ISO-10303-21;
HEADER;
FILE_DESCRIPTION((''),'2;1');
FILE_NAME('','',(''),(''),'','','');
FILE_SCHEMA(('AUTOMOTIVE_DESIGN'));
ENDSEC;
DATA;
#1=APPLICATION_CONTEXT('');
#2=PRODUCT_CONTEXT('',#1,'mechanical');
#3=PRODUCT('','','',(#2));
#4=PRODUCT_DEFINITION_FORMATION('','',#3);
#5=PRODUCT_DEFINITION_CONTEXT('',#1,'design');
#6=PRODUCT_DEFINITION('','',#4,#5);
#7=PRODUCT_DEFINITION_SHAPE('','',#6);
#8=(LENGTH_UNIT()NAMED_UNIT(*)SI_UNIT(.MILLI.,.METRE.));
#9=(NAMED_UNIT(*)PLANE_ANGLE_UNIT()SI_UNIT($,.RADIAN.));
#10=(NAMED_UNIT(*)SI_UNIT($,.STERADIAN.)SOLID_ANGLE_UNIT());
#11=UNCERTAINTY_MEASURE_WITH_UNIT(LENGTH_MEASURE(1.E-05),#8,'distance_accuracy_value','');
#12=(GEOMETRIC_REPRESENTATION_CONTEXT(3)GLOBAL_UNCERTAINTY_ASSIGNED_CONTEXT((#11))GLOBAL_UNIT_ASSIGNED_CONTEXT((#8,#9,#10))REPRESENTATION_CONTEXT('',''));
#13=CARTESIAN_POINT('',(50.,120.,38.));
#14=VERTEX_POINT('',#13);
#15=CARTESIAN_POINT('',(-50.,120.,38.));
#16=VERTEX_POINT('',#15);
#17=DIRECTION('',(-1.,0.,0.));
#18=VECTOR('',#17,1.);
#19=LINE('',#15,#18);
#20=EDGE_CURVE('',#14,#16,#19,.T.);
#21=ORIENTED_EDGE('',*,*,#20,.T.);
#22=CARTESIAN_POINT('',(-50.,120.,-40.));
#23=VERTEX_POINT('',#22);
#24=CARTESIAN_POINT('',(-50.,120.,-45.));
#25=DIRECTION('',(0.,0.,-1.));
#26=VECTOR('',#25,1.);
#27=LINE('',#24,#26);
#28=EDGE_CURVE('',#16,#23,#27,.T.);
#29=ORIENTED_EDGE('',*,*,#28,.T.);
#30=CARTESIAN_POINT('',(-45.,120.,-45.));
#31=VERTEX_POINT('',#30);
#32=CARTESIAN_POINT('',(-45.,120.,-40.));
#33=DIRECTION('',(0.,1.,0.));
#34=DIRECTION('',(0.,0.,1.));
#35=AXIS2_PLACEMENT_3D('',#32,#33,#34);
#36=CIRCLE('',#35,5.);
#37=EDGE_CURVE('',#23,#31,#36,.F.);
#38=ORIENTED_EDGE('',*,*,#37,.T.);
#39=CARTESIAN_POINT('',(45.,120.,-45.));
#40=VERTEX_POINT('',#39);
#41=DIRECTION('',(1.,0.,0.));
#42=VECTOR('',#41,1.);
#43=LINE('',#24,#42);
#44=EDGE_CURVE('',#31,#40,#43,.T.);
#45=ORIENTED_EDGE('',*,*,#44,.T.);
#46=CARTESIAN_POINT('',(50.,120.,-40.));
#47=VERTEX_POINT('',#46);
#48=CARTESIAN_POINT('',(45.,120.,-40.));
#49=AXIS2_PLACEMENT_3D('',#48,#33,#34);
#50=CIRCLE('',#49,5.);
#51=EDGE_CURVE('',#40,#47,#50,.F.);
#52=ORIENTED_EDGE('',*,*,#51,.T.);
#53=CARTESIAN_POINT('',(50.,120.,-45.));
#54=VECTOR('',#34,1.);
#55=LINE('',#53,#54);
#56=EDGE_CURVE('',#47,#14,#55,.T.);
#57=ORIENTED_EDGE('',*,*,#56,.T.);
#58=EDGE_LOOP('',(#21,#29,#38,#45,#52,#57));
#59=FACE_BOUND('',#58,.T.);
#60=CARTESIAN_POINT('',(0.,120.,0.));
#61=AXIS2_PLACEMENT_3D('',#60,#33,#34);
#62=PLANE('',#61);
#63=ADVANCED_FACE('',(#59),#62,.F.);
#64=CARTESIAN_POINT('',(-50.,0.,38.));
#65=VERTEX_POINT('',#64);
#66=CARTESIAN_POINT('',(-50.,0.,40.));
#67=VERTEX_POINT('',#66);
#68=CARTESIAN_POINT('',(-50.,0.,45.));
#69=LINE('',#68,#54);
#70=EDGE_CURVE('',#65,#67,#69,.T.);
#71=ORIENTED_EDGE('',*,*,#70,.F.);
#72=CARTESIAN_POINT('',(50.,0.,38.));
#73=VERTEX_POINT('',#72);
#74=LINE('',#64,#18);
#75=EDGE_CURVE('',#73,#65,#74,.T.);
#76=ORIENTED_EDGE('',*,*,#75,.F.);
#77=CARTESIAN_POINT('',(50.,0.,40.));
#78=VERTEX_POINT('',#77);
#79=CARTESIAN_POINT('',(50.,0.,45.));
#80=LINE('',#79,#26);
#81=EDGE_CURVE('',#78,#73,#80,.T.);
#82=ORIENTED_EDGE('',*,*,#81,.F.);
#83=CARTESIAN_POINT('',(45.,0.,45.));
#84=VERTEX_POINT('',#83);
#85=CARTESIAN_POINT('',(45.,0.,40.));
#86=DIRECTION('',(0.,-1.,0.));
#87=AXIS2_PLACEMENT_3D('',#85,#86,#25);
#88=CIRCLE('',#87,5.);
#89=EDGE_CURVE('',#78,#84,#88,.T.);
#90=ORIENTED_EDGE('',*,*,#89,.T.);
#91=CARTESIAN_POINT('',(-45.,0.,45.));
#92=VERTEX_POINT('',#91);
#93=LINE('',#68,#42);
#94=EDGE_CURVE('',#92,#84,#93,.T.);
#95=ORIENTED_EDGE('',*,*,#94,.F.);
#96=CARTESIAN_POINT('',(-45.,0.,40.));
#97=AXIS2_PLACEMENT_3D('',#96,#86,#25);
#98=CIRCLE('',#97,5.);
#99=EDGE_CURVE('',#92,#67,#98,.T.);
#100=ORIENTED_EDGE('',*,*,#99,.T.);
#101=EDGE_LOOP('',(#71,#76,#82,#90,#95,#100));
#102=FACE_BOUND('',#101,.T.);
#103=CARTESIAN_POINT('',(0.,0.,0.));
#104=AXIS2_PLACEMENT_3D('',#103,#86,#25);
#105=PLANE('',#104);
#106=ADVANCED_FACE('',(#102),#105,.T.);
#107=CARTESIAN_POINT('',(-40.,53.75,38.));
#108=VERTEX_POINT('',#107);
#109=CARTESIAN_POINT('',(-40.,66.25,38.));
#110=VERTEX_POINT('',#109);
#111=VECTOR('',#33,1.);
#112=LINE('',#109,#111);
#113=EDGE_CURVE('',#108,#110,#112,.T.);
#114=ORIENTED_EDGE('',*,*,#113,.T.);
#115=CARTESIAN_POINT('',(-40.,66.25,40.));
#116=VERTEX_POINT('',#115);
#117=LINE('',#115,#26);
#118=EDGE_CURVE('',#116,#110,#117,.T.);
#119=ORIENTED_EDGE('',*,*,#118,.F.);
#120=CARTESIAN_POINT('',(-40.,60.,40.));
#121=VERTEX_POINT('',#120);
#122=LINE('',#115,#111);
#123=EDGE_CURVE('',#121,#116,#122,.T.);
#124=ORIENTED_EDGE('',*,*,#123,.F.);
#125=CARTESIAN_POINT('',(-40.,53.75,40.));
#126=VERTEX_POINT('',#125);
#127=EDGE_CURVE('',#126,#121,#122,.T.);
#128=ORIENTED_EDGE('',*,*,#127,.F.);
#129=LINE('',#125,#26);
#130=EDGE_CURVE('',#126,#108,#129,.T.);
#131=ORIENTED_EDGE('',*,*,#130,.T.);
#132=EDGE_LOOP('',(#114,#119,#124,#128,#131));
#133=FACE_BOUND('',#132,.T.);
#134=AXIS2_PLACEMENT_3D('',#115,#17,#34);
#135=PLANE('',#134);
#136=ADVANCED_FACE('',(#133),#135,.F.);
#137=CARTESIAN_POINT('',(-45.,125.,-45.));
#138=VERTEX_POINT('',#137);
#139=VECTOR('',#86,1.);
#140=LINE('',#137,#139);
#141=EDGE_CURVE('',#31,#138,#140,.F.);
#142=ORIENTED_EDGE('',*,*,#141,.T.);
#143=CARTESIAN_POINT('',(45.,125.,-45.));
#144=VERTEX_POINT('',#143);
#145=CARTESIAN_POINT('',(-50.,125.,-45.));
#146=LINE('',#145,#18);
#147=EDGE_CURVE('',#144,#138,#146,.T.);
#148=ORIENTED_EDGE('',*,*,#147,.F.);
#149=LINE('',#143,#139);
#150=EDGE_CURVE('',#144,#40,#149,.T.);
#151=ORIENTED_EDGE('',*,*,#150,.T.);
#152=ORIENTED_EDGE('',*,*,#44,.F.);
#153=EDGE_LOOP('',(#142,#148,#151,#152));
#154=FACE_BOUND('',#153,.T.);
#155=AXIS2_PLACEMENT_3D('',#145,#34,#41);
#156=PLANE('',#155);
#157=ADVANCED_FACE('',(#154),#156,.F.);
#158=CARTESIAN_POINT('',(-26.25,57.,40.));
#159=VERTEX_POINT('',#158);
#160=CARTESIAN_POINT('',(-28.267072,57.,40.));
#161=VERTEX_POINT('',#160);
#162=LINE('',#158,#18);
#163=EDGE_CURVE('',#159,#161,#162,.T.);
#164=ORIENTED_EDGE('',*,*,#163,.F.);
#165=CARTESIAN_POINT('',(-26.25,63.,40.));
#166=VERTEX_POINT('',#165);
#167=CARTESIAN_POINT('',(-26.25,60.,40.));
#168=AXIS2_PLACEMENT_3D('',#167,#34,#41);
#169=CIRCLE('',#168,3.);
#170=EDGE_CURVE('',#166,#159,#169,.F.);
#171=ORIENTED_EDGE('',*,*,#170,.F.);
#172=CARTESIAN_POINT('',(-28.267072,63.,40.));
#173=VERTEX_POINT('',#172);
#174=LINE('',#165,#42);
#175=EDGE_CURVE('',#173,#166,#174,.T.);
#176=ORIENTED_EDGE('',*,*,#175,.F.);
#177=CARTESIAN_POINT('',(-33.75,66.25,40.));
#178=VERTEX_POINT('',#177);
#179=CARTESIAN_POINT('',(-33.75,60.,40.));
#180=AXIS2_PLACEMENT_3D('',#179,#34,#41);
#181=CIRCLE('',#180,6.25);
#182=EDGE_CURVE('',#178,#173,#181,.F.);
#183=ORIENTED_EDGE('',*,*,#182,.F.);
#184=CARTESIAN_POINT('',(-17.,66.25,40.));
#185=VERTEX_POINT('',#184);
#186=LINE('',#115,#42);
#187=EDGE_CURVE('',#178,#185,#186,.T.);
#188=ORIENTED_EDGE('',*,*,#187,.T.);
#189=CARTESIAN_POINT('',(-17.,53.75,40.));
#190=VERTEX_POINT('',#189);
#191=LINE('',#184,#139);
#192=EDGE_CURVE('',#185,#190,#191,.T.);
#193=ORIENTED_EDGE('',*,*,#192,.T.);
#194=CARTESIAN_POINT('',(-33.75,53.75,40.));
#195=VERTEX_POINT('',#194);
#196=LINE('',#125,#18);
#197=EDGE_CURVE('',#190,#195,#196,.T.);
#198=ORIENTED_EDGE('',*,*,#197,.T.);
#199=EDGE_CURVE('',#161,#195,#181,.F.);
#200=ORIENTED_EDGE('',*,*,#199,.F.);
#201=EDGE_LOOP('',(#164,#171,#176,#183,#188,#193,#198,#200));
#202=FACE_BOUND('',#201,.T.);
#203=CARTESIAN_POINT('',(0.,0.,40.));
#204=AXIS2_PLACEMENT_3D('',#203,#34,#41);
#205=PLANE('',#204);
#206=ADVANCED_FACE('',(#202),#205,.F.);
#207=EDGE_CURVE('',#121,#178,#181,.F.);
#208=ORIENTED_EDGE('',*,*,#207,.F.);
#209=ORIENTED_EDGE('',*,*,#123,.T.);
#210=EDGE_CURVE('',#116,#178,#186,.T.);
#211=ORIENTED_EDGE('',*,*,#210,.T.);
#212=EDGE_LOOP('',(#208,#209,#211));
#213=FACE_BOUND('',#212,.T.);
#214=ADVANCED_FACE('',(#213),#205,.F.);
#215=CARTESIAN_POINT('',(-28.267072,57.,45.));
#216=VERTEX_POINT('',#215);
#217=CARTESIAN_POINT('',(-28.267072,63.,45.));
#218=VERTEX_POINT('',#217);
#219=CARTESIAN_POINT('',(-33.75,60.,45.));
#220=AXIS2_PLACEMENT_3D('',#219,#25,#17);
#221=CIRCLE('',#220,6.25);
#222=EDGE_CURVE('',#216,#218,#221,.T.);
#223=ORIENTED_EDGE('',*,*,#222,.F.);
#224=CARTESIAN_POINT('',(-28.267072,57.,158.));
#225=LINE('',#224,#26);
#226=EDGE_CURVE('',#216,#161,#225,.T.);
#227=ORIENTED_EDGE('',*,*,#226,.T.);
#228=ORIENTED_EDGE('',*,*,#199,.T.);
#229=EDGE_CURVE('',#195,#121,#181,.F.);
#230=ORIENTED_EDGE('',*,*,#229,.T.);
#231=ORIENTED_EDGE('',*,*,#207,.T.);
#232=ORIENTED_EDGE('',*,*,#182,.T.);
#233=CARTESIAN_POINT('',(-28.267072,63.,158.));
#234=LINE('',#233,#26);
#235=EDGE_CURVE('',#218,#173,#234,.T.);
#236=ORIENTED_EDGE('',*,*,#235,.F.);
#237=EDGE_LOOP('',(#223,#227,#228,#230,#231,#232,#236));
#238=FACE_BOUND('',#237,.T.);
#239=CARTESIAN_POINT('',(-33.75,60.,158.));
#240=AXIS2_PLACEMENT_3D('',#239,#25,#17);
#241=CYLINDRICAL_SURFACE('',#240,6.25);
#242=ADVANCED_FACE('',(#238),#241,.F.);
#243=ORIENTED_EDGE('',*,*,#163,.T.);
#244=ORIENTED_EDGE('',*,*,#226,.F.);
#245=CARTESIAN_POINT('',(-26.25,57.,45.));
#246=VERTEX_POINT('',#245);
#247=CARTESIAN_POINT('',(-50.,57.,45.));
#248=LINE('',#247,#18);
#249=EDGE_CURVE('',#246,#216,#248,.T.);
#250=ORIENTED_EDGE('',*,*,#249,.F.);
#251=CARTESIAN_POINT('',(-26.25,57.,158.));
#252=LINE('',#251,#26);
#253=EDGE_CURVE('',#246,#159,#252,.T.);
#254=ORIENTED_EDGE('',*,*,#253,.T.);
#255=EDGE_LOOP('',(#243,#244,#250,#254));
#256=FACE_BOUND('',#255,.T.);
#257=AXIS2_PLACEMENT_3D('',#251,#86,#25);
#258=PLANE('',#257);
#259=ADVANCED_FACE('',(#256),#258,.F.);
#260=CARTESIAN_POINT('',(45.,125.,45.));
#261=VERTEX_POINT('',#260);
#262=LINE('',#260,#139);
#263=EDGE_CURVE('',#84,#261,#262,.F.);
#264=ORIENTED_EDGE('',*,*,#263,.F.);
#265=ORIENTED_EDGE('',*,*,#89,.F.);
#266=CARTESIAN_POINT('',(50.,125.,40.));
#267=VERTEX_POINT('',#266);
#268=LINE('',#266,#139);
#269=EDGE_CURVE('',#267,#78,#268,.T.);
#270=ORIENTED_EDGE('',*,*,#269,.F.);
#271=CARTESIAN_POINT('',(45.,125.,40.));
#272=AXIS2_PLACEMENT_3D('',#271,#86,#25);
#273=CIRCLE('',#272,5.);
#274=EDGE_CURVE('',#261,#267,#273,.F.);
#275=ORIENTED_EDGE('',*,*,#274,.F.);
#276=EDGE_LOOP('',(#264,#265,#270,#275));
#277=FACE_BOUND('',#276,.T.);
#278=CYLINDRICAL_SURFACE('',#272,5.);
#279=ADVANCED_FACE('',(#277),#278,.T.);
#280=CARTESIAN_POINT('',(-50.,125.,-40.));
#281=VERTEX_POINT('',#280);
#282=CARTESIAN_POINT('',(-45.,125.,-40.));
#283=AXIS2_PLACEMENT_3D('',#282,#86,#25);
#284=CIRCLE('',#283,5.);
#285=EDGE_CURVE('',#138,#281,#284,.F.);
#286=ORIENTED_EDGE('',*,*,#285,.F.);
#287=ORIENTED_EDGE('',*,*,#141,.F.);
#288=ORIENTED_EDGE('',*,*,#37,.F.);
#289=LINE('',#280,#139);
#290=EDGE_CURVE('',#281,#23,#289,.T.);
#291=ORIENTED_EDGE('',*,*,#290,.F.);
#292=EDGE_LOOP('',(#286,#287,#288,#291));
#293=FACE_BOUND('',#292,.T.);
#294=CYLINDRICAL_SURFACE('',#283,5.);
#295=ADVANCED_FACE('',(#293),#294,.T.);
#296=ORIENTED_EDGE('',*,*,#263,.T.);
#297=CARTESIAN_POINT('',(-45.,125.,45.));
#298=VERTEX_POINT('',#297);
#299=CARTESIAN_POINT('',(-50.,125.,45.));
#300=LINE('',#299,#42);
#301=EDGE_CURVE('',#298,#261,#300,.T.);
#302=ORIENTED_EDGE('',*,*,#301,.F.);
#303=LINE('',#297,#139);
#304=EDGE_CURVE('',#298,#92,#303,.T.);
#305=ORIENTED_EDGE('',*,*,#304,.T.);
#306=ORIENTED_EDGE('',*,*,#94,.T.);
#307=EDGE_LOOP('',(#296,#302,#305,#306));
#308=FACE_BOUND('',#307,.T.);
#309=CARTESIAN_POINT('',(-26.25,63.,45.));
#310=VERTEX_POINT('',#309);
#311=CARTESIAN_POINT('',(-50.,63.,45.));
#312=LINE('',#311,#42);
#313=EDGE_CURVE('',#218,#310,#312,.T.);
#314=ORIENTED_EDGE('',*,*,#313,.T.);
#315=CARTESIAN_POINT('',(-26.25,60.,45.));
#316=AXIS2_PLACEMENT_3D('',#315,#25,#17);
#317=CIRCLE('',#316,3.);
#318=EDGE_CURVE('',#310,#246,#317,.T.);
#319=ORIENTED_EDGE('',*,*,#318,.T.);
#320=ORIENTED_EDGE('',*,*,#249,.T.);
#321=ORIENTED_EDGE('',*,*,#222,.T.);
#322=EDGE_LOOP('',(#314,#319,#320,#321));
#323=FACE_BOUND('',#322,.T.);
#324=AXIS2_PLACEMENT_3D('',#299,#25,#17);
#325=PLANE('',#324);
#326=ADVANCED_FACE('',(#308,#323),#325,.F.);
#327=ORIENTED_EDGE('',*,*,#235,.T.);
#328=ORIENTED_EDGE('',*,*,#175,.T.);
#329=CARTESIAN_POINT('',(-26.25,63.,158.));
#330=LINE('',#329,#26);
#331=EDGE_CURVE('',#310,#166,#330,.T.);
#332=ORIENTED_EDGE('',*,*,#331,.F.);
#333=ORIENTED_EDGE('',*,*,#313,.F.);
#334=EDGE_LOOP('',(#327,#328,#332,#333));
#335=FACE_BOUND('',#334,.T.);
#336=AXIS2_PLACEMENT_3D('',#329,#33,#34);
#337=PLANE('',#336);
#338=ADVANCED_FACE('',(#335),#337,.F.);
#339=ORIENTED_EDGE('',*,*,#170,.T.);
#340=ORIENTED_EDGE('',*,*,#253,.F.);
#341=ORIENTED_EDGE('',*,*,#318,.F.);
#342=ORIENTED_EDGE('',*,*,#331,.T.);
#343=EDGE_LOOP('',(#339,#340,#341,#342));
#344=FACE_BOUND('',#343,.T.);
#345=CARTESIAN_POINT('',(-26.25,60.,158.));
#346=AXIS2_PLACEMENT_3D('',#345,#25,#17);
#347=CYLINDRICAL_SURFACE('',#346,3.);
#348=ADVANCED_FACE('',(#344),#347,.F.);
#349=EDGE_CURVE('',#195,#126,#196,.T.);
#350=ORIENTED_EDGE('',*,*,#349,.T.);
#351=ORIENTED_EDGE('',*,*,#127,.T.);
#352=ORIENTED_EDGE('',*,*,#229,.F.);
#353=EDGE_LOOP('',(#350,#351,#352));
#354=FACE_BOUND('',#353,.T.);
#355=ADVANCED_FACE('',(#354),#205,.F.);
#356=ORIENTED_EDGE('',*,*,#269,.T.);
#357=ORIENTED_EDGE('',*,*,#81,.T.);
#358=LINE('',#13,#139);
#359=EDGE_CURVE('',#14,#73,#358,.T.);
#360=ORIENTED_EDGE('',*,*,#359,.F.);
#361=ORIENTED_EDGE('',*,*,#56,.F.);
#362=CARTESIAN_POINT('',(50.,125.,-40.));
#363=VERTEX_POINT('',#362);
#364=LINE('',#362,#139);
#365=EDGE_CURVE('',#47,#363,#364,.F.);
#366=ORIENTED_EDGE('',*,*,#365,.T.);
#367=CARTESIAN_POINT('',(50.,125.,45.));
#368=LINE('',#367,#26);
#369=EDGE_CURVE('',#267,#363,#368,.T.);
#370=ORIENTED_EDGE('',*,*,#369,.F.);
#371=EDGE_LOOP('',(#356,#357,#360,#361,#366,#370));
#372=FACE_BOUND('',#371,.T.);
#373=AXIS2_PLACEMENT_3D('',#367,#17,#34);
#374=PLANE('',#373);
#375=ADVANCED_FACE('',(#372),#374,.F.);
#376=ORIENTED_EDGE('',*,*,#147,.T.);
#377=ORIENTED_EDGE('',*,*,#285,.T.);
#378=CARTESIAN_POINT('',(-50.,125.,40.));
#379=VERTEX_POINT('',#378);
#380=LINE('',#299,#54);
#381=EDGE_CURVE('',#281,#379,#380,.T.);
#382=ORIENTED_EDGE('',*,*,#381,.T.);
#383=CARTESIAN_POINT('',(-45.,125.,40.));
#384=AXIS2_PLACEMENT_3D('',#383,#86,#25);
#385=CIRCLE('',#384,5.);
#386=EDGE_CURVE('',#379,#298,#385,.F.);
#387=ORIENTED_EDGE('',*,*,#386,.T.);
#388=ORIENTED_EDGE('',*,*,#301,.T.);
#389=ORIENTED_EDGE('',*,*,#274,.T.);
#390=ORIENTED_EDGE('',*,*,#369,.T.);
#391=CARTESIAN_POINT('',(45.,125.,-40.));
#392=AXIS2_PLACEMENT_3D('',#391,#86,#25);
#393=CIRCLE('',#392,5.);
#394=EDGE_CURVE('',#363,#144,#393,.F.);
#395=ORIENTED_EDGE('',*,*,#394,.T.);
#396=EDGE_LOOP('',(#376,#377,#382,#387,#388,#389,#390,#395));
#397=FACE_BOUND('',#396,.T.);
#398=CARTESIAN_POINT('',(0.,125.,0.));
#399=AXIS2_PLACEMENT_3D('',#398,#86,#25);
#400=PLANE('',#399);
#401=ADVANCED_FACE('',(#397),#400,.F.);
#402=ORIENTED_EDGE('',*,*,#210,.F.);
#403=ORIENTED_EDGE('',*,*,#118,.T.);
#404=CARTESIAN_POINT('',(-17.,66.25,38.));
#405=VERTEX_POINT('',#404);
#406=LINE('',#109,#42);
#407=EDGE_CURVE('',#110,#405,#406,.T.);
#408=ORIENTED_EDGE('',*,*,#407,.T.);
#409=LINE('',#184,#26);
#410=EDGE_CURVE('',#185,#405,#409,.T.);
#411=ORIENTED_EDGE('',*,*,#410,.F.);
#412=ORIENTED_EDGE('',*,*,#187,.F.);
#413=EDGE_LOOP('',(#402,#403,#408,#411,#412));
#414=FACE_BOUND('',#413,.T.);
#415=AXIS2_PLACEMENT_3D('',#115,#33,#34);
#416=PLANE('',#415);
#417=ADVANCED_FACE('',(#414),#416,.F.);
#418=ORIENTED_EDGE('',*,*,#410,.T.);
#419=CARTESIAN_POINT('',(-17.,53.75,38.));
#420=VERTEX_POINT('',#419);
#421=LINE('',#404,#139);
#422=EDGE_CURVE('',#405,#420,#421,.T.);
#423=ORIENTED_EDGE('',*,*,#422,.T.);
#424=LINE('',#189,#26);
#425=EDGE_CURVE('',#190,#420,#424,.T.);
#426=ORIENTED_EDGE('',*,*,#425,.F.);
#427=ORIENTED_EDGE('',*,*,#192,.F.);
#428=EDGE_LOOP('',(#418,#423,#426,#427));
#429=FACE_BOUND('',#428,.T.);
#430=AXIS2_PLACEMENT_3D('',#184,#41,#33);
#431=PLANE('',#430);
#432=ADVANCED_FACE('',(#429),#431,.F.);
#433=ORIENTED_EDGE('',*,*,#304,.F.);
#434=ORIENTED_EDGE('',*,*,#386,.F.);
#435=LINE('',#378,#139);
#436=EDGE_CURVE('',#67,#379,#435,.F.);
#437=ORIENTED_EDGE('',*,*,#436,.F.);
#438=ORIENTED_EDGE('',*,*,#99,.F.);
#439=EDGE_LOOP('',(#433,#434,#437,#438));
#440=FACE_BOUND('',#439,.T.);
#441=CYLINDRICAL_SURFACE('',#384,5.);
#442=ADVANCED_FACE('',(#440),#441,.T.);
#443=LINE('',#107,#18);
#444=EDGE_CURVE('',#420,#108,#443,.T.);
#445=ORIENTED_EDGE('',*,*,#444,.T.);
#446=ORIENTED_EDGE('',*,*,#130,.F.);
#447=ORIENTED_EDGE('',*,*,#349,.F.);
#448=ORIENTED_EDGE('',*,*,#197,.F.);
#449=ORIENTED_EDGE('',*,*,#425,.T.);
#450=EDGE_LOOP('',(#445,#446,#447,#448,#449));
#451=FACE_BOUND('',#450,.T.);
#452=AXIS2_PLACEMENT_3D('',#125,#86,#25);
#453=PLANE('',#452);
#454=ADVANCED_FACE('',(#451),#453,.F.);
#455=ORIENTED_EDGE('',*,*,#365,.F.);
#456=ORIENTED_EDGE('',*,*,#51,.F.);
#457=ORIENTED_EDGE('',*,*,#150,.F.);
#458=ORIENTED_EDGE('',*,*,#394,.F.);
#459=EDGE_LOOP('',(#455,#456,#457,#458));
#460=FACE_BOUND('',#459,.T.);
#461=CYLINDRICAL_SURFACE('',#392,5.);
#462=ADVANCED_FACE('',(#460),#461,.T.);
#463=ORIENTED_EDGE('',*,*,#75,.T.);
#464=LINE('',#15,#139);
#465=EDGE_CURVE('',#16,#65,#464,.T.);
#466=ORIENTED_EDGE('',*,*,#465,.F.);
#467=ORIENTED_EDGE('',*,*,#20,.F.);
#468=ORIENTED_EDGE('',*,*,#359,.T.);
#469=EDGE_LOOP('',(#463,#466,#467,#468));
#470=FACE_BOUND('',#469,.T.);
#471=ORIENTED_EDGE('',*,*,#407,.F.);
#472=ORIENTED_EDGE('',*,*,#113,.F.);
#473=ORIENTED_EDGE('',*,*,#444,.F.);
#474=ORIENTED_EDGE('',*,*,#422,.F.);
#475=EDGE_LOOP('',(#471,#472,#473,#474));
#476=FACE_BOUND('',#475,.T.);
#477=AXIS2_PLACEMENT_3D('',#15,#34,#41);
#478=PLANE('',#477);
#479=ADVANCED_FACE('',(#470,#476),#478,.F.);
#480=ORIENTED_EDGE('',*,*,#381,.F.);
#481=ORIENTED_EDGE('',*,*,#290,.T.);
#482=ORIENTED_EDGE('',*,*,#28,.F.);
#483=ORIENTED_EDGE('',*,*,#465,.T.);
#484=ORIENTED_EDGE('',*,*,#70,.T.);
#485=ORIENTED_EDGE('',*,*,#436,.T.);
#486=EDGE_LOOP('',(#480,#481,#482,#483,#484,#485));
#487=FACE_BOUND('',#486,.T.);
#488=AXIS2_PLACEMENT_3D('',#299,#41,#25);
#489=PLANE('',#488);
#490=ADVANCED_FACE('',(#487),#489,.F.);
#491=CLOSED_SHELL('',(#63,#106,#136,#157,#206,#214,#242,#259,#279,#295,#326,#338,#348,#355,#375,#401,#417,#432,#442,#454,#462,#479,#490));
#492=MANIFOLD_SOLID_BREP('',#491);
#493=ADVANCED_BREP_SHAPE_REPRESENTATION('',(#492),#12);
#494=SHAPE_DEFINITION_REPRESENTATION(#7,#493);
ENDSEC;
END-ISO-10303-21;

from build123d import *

# Parameters (mm, degrees)
SKETCH_1_W          = 100
SKETCH_1_H          = 90
EXTRUDE_1_DEPTH     = 125
SKETCH_4_W          = 100
SKETCH_4_H          = 83
CUT_EXTRUDE_3_DEPTH = 120
FILLET_4_R          = 5
CUT_EXTRUDE_4_DEPTH = 120
SKETCH_6_W          = 23
SKETCH_6_H          = 12.5
CUT_EXTRUDE_5_DEPTH = 2


with BuildPart() as part:
    # 스케치1 → 보스-돌출1 (new body)
    with BuildSketch(Plane(origin=(0, 0, 0), x_dir=(1, 0, 0), z_dir=(0, 1, 0))):
        Rectangle(SKETCH_1_W, SKETCH_1_H)
    extrude(amount=EXTRUDE_1_DEPTH)

    # 스케치4 → 컷-돌출3 (cut)
    with BuildSketch(Plane.XZ):
        with Locations((0, -3.5)):
            Rectangle(SKETCH_4_W, SKETCH_4_H)
    extrude(amount=-CUT_EXTRUDE_3_DEPTH, mode=Mode.SUBTRACT)

    # 필렛4
    fillet_4_edges = [part.edges().sort_by_distance(p)[0] for p in [
        (50, 62.5, 45),
        (-50, 62.5, 45),
        (-50, 122.5, -45),
        (50, 122.5, -45),
    ]]
    fillet(fillet_4_edges, radius=FILLET_4_R)

    # 스케치5 → 컷-돌출4 (cut)
    with BuildSketch(Plane(origin=(0, 0, 38), x_dir=(-1, 0, 0), z_dir=(0, 0, -1))):
        with BuildLine():
            Line((26.25, 63), (28.26707195, 63))
            ThreePointArc((28.26707195, 63), (40, 60), (28.26707195, 57))
            Line((28.26707195, 57), (26.25, 57))
            ThreePointArc((26.25, 57), (23.25, 60), (26.25, 63))
        make_face()
    extrude(amount=-CUT_EXTRUDE_4_DEPTH, mode=Mode.SUBTRACT)

    # 스케치6 → 컷-돌출5 (cut)
    with BuildSketch(Plane(origin=(0, 0, 38), x_dir=(-1, 0, 0), z_dir=(0, 0, -1))):
        with Locations((28.5, 60)):
            Rectangle(SKETCH_6_W, SKETCH_6_H)
    extrude(amount=-CUT_EXTRUDE_5_DEPTH, mode=Mode.SUBTRACT)


solid = part.part
